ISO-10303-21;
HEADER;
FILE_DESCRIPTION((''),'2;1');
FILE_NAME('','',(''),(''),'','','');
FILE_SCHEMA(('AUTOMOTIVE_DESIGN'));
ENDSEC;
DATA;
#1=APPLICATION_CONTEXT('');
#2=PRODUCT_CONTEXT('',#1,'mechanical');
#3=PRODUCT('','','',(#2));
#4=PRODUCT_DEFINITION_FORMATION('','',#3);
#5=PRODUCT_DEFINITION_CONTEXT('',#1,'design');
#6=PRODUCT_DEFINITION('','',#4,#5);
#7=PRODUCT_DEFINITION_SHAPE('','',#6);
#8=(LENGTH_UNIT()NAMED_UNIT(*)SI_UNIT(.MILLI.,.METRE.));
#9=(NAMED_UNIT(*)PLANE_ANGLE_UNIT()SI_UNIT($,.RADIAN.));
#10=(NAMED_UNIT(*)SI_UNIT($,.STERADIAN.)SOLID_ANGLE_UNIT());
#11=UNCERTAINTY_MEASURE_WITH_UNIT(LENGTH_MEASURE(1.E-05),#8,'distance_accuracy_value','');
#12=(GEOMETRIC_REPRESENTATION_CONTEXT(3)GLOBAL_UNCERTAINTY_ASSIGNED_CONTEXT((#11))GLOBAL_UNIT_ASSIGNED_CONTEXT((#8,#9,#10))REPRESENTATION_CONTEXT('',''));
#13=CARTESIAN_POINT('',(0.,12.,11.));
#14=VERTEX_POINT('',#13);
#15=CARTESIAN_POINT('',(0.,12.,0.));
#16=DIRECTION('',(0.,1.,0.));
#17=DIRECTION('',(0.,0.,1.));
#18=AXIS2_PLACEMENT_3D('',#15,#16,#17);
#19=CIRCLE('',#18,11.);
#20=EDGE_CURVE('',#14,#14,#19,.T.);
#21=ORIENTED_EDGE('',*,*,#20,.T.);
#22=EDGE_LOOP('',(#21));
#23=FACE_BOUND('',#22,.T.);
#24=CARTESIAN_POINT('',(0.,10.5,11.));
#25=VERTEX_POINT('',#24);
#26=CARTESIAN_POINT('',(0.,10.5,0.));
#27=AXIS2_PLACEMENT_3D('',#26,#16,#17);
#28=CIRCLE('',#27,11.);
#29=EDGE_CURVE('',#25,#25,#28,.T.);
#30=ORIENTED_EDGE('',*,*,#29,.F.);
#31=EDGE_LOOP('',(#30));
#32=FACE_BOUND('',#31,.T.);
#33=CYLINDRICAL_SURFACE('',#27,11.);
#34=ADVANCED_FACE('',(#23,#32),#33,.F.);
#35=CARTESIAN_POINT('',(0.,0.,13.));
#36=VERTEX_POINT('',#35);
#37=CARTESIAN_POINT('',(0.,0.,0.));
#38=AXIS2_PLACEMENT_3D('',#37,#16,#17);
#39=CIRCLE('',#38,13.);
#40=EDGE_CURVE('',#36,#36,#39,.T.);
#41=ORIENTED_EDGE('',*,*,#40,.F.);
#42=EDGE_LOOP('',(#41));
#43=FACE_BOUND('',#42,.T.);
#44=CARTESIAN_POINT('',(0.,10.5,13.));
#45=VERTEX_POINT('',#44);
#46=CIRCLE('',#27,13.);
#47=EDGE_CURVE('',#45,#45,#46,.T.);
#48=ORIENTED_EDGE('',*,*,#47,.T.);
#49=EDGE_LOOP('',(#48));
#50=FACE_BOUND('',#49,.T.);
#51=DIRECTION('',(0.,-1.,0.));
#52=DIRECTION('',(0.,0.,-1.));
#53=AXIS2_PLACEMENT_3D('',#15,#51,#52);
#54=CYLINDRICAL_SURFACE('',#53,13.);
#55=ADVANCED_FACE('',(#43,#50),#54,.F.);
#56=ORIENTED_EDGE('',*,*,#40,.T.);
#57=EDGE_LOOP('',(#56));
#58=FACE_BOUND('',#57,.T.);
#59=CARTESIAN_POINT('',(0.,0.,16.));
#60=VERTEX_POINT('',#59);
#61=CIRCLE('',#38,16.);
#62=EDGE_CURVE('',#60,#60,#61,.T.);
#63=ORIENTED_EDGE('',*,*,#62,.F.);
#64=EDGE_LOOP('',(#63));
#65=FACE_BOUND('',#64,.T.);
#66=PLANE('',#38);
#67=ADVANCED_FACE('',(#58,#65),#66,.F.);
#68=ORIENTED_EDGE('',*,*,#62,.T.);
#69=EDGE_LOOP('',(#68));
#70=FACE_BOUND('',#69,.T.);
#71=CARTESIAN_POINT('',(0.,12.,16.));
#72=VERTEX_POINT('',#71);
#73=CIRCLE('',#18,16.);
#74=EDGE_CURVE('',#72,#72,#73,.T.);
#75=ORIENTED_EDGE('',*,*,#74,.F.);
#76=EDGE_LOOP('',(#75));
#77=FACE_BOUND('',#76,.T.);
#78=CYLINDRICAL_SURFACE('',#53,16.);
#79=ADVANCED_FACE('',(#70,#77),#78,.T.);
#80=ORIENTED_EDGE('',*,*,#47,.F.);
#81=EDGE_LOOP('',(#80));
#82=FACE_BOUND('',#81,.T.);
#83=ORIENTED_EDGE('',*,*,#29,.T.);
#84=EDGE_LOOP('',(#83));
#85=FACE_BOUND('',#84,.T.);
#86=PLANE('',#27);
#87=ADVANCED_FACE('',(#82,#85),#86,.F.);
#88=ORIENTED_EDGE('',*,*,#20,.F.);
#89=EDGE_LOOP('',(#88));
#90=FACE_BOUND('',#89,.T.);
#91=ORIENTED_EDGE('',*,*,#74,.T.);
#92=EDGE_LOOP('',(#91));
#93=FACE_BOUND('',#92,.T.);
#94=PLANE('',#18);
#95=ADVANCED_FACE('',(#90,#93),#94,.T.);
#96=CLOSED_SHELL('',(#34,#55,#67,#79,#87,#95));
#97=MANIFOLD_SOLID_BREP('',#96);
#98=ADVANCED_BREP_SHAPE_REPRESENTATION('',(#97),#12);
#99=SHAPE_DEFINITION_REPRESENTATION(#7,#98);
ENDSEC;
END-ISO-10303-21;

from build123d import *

# Parameters (mm, degrees)
SKETCH1_R           = 16
SKETCH1_R_2         = 13
BOSS_EXTRUDE1_DEPTH = 12
SKETCH2_R           = 13
SKETCH2_R_2         = 11
BOSS_EXTRUDE2_DEPTH = 1.5


with BuildPart() as part:
    # Sketch1 → Boss-Extrude1 (new body)
    with BuildSketch(Plane(origin=(0, 0, 0), x_dir=(1, 0, 0), z_dir=(0, 1, 0))):
        Circle(SKETCH1_R)
        Circle(SKETCH1_R_2, mode=Mode.SUBTRACT)
    extrude(amount=BOSS_EXTRUDE1_DEPTH)

    # Sketch2 → Boss-Extrude2 (add)
    with BuildSketch(Plane(origin=(0, 12, 0), x_dir=(1, 0, 0), z_dir=(0, 1, 0))):
        Circle(SKETCH2_R)
        Circle(SKETCH2_R_2, mode=Mode.SUBTRACT)
    extrude(amount=-BOSS_EXTRUDE2_DEPTH)


solid = part.part
